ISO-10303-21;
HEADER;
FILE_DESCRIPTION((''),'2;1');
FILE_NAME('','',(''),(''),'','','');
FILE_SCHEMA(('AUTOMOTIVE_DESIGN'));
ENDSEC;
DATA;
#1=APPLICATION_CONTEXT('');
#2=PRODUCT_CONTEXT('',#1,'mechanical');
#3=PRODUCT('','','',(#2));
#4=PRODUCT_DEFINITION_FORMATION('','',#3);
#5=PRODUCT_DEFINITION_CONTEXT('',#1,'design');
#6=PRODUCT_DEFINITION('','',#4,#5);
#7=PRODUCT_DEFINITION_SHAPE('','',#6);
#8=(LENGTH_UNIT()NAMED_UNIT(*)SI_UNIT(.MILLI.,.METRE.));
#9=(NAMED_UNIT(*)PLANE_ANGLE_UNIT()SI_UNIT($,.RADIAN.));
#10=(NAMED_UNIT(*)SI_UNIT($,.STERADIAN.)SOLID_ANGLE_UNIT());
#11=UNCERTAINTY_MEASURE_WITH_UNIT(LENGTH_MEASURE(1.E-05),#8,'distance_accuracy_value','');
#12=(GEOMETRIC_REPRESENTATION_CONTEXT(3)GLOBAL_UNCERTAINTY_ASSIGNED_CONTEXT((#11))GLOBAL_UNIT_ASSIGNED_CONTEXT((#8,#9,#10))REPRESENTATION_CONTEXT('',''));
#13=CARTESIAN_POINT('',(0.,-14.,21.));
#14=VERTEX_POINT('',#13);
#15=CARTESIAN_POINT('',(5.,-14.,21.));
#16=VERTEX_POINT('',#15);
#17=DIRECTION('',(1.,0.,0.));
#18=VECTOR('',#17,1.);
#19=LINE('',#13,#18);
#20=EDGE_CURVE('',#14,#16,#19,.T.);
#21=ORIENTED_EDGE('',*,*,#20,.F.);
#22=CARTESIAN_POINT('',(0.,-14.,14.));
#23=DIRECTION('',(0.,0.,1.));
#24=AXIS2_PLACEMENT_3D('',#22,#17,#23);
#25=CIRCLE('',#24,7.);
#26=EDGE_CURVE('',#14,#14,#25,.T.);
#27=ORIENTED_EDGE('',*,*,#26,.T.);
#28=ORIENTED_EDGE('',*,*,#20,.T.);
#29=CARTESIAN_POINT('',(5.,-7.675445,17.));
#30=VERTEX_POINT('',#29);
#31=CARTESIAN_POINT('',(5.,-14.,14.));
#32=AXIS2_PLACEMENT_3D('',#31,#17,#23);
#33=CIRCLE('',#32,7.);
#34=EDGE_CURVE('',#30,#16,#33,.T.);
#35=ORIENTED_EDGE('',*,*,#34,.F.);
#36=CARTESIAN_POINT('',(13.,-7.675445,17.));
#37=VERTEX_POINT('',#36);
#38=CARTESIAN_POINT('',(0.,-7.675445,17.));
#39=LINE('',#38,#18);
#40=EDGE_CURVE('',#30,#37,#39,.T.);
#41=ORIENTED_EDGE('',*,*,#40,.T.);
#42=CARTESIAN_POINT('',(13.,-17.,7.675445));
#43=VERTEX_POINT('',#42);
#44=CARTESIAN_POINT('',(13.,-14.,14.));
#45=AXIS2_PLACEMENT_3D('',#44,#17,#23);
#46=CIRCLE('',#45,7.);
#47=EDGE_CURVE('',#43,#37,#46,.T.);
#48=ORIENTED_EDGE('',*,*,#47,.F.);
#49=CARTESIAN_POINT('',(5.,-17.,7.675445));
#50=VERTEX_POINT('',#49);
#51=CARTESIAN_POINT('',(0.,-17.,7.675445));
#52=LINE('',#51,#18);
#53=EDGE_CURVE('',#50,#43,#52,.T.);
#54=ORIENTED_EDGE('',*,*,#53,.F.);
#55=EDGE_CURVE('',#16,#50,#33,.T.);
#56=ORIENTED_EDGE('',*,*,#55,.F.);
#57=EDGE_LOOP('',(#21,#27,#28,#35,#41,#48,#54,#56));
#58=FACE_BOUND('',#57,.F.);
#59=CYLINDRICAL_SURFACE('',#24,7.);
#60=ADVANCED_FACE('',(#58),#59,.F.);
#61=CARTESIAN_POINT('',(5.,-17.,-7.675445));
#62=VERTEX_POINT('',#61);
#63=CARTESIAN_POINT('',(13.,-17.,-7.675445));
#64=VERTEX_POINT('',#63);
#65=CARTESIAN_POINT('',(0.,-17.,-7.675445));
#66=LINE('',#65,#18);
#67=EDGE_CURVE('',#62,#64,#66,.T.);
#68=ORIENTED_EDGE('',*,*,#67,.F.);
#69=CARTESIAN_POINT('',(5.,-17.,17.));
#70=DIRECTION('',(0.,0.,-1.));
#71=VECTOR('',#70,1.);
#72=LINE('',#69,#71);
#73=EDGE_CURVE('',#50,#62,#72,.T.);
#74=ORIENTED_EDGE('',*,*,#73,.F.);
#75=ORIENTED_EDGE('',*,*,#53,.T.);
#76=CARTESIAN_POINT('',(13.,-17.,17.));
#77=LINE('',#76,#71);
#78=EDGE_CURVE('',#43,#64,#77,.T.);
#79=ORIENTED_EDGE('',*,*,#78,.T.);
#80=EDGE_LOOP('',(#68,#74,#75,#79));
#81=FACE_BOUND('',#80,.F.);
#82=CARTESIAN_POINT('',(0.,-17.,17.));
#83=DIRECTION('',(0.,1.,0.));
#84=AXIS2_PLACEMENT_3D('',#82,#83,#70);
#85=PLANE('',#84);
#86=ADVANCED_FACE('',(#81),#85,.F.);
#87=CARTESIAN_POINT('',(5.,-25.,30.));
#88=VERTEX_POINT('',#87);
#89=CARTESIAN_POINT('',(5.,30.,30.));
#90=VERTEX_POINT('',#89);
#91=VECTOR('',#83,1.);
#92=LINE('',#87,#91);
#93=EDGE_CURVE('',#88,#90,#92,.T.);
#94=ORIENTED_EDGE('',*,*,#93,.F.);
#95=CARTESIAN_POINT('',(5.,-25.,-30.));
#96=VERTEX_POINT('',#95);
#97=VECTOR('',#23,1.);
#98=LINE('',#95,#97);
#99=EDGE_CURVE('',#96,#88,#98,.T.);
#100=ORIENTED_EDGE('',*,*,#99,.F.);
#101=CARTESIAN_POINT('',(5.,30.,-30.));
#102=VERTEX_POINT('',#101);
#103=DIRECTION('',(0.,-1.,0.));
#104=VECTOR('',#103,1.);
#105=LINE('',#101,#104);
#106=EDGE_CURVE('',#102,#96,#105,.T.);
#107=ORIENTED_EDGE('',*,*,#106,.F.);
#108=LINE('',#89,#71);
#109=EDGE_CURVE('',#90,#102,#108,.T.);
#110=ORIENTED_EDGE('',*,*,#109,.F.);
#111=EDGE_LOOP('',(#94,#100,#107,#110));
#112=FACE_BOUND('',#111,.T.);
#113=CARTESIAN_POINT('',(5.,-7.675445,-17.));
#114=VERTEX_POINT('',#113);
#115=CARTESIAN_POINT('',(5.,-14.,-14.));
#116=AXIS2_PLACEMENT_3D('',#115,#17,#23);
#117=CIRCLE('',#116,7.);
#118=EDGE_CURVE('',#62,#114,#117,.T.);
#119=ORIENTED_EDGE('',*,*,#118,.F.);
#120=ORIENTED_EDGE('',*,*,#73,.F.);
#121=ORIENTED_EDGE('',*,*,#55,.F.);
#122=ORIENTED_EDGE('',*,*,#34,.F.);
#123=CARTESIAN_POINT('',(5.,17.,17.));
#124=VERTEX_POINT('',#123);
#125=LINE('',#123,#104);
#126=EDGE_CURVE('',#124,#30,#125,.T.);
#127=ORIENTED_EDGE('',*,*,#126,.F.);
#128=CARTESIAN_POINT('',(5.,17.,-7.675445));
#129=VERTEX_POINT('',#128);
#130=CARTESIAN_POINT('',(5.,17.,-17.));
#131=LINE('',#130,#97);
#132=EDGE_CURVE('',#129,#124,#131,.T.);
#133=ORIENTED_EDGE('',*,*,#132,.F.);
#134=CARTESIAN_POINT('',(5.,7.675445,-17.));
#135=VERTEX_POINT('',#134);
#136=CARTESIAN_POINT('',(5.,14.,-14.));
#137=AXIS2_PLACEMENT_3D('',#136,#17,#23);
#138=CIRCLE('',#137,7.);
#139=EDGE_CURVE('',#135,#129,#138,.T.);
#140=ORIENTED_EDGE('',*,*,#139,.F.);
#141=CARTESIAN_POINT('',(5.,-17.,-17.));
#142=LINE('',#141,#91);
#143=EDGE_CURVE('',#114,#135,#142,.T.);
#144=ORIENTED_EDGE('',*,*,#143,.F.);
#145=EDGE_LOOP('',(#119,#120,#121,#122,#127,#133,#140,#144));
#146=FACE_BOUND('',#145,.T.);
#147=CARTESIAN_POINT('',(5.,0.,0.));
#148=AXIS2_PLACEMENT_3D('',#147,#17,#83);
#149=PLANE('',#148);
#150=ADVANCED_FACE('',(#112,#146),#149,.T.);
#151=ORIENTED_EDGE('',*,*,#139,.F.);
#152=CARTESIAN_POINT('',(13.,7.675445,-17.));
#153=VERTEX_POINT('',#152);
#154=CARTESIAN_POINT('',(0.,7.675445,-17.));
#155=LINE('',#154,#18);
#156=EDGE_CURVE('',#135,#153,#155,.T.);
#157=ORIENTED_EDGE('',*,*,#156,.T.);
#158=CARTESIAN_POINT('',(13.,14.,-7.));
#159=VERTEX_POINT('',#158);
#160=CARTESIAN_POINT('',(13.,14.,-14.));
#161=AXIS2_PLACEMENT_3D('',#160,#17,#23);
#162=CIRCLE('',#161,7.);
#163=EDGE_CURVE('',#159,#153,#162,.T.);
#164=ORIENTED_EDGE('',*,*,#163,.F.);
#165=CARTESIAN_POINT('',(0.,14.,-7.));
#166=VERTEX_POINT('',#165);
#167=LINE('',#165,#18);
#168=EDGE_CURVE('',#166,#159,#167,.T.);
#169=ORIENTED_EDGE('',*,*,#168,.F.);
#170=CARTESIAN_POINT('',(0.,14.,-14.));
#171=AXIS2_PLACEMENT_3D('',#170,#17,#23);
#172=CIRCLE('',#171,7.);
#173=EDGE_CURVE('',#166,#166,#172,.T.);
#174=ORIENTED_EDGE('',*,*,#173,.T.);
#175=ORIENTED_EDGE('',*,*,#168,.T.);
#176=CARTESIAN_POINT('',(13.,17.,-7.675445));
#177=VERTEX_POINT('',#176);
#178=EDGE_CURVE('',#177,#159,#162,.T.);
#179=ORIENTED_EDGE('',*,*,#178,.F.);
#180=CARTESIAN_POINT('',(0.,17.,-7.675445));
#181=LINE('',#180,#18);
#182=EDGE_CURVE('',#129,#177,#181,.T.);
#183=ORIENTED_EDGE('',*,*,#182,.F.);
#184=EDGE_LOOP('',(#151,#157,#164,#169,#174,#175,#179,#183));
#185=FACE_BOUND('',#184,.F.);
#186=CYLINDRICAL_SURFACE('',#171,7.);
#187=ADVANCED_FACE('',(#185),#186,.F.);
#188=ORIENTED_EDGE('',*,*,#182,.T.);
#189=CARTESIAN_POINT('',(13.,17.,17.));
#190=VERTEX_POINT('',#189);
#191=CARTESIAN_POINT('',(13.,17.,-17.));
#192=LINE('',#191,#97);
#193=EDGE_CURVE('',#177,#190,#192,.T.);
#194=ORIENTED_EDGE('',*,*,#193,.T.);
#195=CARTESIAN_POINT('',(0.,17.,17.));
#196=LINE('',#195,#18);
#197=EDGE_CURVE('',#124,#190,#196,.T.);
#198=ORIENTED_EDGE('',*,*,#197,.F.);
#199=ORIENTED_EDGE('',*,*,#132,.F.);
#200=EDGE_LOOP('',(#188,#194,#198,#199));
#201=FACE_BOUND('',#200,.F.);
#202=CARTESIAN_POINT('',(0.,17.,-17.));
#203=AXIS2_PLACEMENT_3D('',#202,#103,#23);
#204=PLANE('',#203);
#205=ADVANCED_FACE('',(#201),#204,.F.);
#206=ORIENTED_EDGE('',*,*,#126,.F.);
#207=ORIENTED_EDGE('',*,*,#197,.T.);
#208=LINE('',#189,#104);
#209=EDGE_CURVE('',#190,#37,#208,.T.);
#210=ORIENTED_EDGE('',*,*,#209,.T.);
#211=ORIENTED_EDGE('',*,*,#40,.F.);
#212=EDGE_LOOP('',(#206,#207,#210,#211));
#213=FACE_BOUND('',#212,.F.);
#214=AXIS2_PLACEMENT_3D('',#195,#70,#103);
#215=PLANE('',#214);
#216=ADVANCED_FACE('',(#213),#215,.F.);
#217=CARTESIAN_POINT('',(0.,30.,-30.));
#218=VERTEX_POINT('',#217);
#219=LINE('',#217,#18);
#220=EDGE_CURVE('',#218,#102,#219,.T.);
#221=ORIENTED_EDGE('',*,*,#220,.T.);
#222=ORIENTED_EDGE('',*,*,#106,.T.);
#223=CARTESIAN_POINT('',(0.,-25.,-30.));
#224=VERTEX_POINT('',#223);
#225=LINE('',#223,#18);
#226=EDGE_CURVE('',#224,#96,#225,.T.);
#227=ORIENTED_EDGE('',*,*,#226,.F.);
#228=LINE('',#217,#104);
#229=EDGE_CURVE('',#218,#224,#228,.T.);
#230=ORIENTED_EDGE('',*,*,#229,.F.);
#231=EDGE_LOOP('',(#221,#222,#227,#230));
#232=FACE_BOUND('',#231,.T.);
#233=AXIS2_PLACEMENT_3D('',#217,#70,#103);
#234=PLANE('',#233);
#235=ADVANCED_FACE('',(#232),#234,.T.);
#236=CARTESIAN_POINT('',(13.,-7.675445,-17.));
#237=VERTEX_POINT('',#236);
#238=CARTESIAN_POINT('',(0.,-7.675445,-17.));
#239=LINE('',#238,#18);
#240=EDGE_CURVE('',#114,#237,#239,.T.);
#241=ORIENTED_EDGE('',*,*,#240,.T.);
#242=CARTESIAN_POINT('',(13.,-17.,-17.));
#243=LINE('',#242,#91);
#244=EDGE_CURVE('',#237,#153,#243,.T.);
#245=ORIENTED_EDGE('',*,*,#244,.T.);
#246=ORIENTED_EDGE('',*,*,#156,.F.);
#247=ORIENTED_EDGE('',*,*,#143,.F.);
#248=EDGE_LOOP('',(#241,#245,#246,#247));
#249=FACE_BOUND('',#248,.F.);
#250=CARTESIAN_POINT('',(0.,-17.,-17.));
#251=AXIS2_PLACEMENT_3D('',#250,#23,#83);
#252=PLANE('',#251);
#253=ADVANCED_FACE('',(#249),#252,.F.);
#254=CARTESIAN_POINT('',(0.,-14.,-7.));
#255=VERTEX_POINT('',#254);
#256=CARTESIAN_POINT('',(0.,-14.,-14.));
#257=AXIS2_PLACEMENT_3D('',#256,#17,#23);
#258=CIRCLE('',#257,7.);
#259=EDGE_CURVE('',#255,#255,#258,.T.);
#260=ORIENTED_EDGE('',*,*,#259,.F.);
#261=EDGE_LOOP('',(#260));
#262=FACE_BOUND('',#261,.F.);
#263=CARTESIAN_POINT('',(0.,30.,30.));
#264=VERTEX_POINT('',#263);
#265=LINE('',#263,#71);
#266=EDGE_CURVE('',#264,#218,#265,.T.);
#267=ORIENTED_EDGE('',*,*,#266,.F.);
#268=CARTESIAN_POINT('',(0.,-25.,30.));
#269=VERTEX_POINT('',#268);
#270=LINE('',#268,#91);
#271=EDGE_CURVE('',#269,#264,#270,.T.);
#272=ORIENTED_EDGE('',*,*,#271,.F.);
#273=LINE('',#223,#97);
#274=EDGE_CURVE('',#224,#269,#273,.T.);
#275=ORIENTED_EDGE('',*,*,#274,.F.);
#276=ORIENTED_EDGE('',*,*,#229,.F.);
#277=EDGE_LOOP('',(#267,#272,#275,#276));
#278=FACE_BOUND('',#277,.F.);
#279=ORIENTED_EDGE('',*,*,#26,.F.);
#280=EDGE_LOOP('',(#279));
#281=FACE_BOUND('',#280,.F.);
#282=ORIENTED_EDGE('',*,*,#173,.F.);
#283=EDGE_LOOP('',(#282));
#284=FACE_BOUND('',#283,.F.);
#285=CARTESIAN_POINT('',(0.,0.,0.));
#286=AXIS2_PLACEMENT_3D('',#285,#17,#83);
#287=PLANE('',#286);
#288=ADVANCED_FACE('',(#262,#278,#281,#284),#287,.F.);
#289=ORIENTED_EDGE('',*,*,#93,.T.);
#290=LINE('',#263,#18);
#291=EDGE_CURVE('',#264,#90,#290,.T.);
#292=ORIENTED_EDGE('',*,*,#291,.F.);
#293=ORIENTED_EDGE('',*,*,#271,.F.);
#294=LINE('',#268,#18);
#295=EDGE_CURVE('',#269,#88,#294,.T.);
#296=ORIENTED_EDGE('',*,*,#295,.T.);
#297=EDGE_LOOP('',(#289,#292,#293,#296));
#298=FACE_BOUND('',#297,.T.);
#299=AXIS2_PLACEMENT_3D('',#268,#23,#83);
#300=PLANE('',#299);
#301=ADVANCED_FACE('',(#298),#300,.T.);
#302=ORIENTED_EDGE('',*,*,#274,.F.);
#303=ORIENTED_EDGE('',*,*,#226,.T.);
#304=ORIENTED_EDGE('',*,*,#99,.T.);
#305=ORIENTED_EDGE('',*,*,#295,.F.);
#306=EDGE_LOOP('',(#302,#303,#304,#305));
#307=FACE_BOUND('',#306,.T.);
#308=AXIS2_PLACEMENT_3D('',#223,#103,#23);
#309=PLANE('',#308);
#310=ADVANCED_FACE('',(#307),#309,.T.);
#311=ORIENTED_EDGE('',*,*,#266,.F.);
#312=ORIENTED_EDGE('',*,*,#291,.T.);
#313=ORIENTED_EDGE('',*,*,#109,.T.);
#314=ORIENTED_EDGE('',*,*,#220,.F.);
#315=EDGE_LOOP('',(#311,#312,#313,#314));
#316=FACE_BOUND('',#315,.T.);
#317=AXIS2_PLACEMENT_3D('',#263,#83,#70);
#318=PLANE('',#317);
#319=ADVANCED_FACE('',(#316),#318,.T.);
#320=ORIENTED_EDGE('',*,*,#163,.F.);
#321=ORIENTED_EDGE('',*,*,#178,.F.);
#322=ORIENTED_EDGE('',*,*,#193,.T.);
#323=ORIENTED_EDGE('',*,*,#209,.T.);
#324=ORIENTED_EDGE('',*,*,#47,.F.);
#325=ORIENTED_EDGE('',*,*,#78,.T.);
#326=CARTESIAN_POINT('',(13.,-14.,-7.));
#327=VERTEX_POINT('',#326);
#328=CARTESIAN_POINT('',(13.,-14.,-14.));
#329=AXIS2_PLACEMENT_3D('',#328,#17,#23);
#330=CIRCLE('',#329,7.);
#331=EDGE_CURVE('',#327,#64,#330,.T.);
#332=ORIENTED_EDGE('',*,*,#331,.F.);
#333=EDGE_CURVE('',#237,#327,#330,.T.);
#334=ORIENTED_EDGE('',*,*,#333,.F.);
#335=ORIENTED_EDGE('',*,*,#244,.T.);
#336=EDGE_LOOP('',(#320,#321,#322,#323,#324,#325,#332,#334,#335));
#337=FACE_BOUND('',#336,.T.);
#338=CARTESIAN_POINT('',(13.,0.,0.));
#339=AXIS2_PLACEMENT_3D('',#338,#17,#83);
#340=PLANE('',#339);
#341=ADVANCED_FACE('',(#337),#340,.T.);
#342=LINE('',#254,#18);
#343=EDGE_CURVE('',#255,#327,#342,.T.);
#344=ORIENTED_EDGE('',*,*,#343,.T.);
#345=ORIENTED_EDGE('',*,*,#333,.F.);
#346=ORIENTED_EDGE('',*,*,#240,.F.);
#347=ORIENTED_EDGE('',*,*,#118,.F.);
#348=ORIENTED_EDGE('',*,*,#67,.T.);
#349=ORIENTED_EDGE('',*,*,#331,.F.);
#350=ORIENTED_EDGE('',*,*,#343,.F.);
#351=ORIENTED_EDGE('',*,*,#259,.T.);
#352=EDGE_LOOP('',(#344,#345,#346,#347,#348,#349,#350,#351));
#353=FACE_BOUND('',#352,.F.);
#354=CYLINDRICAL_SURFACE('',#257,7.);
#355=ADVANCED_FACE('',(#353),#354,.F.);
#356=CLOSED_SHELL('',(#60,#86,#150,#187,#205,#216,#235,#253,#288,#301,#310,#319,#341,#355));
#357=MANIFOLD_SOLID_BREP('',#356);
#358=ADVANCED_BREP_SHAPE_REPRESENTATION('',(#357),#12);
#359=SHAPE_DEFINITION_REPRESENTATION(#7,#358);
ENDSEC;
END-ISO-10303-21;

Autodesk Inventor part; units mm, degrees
ref_plane "YZ Plane" through (0, 0, 0) normal (1, 0, 0) x (0, 1, 0)
ref_plane "XZ Plane" through (0, 0, 0) normal (0, 1, 0) x (-1, 0, 0)
ref_plane "XY Plane" through (0, 0, 0) normal (0, 0, 1) x (1, 0, 0)
sketch "Skizze1" plane through (0, 0, 0) normal (1, 0, 0) x (0, 1, 0)
  line L0 (14, 14) -> (-14, 14)
  line L1 (-14, 14) -> (-14, -14)
  line L2 (-14, -14) -> (14, -14)
  line L3 (14, -14) -> (14, 14)
  line L4 (14, 14) -> (-14, -14) construction
  line L5 (-14, 14) -> (14, -14) construction
  line L6 (17, 17) -> (-17, 17)
  line L7 (-17, 17) -> (-17, -17)
  line L8 (-17, -17) -> (17, -17)
  line L9 (17, -17) -> (17, 17)
  line L10 (17, 17) -> (-17, -17) construction
  line L11 (-17, 17) -> (17, -17) construction
  line L12 (-25, 30) -> (30, 30)
  line L13 (30, 30) -> (30, -30)
  line L14 (30, -30) -> (-25, -30)
  line L15 (-25, -30) -> (-25, 30)
  point P0 (0, 0)
  dimension "d0" = 28
  dimension "d1" = 28
  dimension "d2" = 34
  dimension "d3" = 34
  dimension "d4" = 55
  dimension "d5" = 60
extrude "Extrusion1" add sketch "Skizze1" along normal blind 13 contours L3 L2 L1 L0 | L9 L8 L7 L6
sketch "Skizze2" plane through (13, 0, 0) normal (1, 0, 0) x (0, 0, -1)
  point P0 (0, 0)
extrude "Extrusion2" add sketch "Skizze1" along normal blind 5 contours L12 L13 L14 L15
hole "Bohrung1" at (0, 14, -14) at (0, -14, 14) at (0, -14, -14) direction (1, 0, 0) diameter 14 end through all
properties part number "Cube_Insert_Motion_adapter_srew"
